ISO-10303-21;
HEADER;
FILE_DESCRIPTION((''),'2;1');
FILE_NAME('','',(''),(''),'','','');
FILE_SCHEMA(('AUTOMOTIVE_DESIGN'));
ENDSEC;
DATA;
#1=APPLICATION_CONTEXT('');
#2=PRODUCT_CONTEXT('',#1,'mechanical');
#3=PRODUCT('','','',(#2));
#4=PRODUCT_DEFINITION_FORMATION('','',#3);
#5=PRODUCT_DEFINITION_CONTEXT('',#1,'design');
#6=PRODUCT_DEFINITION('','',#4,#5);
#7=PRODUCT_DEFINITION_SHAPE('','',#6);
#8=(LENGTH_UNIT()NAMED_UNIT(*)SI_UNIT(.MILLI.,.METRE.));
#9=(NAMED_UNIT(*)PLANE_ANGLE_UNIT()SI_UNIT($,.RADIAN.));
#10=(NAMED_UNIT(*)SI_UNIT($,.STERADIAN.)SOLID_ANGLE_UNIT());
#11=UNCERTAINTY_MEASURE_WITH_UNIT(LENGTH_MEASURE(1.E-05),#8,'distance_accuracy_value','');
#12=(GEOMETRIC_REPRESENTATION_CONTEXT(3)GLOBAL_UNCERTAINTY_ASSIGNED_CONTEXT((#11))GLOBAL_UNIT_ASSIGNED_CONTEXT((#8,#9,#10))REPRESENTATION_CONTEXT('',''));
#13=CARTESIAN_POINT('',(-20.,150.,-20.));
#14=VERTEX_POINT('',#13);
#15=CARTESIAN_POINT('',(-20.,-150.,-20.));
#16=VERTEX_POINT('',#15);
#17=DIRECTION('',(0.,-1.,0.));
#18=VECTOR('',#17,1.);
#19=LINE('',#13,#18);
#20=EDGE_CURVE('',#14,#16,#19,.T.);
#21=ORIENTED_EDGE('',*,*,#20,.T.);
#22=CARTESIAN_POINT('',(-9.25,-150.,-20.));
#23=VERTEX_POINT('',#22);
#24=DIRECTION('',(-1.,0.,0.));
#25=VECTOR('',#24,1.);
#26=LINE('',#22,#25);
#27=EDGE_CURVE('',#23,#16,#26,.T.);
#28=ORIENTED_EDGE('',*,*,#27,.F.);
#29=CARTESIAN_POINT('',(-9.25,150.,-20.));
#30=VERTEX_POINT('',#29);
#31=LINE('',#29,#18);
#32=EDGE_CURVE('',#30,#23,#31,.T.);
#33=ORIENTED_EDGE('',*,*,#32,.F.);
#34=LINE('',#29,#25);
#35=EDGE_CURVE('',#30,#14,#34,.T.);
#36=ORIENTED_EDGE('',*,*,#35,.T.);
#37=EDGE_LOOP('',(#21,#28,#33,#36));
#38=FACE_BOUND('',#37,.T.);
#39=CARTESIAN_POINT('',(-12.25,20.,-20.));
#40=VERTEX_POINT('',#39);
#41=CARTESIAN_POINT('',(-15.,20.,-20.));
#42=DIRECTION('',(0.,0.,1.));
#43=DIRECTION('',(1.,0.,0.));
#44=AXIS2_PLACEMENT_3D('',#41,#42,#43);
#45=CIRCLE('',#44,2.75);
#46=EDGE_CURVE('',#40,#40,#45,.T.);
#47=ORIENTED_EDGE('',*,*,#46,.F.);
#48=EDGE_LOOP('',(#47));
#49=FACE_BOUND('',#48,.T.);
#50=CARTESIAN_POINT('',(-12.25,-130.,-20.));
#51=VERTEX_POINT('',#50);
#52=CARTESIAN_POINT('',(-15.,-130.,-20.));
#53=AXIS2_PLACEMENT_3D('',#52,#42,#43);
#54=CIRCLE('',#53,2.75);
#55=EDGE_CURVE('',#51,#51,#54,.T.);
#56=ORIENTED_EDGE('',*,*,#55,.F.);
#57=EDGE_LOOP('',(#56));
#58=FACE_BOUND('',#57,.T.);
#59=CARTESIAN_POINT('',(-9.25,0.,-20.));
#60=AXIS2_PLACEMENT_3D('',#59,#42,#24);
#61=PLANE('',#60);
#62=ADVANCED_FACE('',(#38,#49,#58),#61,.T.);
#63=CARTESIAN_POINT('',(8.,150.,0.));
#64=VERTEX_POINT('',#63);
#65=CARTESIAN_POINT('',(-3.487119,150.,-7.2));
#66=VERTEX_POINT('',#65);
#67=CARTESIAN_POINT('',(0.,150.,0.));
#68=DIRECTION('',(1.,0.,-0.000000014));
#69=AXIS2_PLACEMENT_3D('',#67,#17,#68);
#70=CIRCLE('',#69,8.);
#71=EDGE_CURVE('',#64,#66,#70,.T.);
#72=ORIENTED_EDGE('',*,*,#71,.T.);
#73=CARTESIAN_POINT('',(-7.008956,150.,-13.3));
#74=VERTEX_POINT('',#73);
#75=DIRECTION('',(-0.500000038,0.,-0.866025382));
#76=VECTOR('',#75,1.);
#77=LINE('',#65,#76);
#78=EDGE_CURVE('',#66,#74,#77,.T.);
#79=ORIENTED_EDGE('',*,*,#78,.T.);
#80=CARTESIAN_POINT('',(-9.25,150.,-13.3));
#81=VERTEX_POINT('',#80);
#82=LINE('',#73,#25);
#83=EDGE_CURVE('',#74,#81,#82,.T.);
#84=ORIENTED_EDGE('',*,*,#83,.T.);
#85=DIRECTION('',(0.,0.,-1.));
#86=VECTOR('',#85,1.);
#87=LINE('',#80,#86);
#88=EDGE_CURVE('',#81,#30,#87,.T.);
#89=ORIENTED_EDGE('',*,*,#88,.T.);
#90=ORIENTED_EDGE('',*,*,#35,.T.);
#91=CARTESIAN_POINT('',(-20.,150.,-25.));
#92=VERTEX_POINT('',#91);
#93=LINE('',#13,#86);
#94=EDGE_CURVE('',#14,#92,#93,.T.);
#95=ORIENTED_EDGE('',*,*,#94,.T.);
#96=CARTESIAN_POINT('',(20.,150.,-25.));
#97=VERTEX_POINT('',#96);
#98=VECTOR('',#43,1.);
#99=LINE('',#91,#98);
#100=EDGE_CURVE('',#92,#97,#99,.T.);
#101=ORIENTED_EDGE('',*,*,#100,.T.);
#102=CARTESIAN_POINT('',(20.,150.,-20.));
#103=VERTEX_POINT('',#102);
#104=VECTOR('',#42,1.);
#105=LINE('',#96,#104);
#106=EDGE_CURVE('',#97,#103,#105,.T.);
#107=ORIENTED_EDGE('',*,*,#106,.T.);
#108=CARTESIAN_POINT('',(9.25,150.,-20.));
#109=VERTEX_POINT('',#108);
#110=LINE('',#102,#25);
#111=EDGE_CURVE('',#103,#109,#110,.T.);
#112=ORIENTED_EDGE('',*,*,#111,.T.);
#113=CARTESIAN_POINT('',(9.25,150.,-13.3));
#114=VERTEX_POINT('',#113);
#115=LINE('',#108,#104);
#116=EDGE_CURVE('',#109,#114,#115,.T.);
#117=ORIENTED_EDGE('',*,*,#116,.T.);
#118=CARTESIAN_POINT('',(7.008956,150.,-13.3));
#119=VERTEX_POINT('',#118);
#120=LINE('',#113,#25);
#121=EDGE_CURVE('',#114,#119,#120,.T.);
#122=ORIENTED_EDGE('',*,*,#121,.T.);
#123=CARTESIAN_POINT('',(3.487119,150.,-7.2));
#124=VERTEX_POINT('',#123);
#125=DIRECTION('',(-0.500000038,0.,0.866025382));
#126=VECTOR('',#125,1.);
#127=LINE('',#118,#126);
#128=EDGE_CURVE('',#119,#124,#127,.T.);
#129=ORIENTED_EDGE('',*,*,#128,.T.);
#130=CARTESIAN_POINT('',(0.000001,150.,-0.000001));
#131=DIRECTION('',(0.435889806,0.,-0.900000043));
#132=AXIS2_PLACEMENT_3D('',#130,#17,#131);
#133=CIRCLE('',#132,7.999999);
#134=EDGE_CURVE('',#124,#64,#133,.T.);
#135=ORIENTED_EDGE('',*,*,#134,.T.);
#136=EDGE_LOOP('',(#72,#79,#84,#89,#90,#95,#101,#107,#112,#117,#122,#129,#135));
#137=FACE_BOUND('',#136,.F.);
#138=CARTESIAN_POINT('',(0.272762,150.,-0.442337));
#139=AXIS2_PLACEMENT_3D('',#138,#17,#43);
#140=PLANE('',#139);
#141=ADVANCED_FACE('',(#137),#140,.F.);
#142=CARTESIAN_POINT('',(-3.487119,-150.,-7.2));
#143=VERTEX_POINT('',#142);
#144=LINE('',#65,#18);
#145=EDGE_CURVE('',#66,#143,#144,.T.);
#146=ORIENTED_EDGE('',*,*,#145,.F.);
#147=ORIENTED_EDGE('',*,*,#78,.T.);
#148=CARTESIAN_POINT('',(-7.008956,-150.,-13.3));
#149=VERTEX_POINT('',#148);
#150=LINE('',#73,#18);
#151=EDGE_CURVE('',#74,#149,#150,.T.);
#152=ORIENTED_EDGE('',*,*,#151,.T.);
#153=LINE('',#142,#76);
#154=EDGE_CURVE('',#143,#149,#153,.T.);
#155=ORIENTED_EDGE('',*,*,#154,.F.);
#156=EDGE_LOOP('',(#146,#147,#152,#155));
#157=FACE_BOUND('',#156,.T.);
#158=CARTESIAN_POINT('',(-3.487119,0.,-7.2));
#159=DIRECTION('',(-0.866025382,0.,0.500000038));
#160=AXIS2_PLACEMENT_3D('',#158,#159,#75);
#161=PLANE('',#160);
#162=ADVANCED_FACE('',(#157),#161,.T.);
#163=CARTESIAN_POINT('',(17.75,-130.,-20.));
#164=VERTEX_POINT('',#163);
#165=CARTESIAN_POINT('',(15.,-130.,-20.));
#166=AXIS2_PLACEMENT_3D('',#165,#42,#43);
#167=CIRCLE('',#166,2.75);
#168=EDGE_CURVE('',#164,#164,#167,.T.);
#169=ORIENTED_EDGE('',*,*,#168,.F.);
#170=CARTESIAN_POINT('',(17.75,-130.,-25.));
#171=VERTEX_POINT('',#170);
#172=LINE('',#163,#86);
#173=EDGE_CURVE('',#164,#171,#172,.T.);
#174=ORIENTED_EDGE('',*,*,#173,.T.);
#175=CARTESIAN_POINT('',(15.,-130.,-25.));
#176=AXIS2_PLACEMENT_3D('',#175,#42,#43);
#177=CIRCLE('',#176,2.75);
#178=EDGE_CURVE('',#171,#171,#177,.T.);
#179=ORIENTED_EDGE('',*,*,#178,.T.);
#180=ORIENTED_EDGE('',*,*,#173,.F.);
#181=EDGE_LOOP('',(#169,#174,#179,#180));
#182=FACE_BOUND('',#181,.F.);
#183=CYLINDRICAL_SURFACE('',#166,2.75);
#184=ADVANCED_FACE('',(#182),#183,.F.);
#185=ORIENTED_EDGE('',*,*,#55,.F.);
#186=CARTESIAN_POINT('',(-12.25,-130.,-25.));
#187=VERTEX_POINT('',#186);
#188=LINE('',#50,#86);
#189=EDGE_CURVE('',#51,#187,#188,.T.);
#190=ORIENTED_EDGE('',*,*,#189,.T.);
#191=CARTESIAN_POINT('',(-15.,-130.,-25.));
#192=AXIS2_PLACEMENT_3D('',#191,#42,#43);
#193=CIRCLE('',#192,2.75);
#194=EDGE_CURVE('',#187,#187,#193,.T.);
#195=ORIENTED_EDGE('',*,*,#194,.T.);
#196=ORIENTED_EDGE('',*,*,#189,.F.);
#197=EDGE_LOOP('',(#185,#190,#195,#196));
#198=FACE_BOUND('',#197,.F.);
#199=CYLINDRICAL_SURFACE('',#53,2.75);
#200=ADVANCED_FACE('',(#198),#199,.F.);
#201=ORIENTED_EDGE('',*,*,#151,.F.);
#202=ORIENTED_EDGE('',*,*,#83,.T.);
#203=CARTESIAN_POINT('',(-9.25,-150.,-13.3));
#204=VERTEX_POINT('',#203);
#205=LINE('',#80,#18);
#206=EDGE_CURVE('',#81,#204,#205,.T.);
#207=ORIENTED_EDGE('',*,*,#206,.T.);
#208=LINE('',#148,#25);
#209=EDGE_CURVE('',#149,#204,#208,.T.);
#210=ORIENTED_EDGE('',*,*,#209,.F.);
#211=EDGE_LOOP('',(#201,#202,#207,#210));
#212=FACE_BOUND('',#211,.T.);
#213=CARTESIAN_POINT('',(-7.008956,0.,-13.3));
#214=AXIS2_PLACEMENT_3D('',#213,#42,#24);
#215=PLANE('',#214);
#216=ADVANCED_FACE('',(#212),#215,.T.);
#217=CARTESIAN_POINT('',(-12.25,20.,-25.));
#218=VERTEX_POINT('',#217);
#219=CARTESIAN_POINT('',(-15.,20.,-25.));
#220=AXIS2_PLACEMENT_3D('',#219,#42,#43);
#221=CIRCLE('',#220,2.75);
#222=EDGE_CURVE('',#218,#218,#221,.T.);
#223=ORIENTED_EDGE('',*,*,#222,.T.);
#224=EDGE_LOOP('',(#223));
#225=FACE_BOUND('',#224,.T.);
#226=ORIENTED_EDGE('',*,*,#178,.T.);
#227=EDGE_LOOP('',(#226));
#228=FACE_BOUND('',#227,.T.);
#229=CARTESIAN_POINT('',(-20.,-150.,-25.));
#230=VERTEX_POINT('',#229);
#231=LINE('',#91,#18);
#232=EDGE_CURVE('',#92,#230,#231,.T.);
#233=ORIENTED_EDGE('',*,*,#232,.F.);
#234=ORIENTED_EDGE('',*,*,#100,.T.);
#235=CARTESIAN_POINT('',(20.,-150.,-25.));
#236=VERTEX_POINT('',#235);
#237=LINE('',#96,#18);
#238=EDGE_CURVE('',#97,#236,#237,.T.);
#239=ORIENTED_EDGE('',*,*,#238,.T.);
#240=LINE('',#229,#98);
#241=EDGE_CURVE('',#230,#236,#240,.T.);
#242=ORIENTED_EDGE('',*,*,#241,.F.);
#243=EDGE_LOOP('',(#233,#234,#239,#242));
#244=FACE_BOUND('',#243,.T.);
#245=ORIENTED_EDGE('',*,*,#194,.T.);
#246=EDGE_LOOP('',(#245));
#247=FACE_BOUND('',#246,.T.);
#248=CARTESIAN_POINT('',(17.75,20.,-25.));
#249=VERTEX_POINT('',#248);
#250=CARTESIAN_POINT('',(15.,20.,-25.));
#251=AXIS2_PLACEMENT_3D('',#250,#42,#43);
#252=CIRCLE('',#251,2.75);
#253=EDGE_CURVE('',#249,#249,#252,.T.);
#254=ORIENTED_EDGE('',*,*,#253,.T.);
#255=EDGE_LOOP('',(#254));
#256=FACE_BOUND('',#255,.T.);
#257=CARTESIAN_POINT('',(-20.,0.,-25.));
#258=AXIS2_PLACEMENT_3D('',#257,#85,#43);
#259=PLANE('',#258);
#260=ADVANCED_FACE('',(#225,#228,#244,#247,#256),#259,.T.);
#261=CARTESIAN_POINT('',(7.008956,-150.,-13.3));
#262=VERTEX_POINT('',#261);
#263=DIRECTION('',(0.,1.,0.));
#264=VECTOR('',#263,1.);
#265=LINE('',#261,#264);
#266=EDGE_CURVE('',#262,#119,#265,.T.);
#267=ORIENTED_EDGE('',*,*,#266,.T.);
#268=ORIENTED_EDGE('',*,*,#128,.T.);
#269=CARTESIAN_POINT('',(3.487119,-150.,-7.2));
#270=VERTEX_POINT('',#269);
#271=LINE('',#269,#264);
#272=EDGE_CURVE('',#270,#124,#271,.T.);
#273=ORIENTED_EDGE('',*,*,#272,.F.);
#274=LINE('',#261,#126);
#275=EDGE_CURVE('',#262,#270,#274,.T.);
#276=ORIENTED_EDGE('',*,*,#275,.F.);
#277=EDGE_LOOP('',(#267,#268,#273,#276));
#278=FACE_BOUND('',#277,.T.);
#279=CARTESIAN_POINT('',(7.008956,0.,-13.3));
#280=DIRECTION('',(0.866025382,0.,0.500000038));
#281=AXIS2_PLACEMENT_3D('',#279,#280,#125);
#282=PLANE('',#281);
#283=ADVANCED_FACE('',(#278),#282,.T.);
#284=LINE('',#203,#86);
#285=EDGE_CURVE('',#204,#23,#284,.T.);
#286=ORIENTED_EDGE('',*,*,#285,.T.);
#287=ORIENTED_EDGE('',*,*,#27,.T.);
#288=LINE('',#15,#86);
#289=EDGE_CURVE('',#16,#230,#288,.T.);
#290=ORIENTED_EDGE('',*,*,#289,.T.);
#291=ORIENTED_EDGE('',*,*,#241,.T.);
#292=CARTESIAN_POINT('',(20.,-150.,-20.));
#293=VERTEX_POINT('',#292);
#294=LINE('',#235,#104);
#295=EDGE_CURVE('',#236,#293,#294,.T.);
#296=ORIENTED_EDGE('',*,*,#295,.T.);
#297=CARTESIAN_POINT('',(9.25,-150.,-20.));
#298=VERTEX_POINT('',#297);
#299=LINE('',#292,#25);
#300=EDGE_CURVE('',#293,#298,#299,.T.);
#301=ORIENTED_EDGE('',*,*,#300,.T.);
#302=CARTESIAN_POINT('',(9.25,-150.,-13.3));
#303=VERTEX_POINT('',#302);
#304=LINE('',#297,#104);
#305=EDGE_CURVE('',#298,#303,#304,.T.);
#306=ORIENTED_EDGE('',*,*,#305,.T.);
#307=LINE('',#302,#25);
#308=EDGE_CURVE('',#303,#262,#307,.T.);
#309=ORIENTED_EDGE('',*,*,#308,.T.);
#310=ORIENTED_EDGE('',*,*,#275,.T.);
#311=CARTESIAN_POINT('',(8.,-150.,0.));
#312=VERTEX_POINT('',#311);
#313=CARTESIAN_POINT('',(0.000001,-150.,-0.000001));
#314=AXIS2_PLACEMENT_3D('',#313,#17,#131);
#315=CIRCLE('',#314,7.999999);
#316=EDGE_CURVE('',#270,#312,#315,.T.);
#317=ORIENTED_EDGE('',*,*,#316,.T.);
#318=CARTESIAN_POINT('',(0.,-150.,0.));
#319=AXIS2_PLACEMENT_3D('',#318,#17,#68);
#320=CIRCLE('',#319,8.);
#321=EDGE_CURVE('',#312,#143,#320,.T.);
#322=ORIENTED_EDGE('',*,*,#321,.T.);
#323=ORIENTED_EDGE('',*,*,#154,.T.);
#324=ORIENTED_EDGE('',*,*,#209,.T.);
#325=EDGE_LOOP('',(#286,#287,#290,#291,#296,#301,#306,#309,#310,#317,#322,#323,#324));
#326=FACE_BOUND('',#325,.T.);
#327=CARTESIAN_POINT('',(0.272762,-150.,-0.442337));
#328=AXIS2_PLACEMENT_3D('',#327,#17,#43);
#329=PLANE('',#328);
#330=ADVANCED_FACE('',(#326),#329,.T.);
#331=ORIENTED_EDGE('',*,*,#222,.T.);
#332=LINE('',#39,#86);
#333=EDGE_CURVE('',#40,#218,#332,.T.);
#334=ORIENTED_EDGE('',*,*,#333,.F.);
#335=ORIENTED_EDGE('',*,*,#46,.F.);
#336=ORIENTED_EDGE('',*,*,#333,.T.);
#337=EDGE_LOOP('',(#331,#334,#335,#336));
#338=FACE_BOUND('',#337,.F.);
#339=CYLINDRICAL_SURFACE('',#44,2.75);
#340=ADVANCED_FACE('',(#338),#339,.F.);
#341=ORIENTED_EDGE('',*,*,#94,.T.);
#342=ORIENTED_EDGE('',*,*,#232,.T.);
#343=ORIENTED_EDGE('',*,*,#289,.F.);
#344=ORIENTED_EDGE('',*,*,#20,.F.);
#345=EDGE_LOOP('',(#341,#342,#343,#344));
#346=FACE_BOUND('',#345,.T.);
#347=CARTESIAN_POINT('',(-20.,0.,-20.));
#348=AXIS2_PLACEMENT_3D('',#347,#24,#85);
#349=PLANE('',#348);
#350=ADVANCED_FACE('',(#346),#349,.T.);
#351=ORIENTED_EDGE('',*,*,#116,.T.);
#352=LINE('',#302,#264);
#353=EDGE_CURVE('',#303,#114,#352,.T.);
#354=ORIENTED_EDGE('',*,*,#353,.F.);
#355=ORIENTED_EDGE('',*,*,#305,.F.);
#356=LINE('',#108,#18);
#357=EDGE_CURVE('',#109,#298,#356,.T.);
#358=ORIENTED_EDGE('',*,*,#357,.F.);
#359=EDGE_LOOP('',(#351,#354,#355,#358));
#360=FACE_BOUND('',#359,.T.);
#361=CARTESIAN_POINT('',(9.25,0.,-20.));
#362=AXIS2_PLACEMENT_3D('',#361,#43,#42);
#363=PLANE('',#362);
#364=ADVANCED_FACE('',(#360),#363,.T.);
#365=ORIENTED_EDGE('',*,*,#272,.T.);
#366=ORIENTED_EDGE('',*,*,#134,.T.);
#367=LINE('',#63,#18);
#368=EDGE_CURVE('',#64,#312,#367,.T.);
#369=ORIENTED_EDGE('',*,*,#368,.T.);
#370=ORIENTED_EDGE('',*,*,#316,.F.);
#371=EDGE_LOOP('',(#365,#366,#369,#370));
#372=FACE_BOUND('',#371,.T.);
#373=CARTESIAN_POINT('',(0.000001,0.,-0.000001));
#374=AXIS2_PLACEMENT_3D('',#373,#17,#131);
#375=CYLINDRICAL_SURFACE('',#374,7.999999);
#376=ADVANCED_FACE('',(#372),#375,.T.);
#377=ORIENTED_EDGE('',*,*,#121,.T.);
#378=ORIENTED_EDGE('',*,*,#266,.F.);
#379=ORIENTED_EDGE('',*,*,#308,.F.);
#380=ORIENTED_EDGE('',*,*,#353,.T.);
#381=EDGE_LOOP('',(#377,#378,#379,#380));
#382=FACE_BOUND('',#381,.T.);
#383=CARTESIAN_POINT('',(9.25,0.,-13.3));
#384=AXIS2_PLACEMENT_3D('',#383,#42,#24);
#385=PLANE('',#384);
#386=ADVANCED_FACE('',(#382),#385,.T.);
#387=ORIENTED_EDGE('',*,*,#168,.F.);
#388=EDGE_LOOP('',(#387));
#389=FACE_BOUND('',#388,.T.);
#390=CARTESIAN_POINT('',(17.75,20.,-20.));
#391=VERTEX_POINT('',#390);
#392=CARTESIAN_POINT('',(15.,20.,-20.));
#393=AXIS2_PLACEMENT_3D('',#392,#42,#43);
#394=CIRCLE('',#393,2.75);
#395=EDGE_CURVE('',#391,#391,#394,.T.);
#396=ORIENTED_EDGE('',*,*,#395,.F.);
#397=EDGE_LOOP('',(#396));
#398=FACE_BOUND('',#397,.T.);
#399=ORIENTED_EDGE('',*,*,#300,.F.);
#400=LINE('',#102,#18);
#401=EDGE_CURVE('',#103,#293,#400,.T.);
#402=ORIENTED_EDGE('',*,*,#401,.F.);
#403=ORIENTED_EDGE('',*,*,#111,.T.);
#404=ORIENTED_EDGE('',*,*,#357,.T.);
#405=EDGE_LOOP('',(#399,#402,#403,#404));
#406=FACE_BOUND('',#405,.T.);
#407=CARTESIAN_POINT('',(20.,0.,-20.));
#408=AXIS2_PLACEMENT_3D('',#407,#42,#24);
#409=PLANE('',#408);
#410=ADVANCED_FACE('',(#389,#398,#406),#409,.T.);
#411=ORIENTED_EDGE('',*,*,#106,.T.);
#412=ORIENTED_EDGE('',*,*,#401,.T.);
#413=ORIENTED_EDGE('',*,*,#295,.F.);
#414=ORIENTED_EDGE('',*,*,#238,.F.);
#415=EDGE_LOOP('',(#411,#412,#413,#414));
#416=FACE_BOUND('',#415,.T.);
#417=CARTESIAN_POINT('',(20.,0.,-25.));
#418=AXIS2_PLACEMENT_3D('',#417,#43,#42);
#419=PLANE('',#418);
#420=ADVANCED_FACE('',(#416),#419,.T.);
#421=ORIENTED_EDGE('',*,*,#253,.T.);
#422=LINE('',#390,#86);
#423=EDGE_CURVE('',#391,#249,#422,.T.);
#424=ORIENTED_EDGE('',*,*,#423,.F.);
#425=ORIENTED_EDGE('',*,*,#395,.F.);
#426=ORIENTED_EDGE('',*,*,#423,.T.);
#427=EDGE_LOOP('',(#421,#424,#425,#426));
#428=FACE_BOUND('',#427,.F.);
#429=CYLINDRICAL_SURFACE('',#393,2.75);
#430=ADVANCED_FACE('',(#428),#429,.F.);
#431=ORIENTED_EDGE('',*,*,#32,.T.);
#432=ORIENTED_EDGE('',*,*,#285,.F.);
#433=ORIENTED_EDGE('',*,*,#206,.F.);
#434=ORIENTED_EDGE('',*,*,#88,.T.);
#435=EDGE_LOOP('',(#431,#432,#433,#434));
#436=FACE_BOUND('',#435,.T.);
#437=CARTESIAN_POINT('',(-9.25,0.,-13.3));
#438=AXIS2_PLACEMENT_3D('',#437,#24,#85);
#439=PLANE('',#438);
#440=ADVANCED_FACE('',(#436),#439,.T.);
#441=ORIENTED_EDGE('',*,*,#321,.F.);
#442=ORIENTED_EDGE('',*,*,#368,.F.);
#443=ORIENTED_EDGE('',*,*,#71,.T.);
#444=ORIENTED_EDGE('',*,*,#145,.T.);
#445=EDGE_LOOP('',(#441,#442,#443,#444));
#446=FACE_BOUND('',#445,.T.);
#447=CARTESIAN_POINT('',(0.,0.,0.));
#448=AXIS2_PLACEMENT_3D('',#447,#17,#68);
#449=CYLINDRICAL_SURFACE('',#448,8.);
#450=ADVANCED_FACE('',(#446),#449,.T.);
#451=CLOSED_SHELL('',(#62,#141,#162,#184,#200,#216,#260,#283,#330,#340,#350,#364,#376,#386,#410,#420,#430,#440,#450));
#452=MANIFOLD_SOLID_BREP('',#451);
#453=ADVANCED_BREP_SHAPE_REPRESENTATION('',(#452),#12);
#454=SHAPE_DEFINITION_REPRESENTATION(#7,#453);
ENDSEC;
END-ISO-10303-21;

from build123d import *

# Parameters (mm, degrees)
F1_DEPTH = 150
F2_R     = 2.75
F3_DEPTH = 5.001


with BuildPart() as f1:
    # F0 (on Front) → F1 (new body, symmetric)
    with BuildSketch(Plane.XZ):
        with BuildLine():
            ThreePointArc((3.487119, -7.2), (6.778531, -4.248708), (8, 0))
            ThreePointArc((8, 0), (-4.248708, 6.778531), (-3.487119, -7.2))
            ThreePointArc((-3.487119, -7.2), (0, -8), (3.487119, -7.2))
        make_face()
        with BuildLine():
            ThreePointArc((3.487119, -7.2), (0, -8), (-3.487119, -7.2))
            Line((-3.487119, -7.2), (-7.008956, -13.3))
            Line((-7.008956, -13.3), (-9.25, -13.3))
            Line((-9.25, -13.3), (-9.25, -20))
            Line((-9.25, -20), (-20, -20))
            Line((-20, -20), (-20, -25))
            Line((-20, -25), (20, -25))
            Line((20, -25), (20, -20))
            Line((20, -20), (9.25, -20))
            Line((9.25, -20), (9.25, -13.3))
            Line((9.25, -13.3), (7.008956, -13.3))
            Line((7.008956, -13.3), (3.487119, -7.2))
        make_face()
    extrude(amount=F1_DEPTH, both=True)

    # F2 (on face) → F3 (cut, through all)
    with BuildSketch(Plane.XY.offset(-20)):
        with Locations((-15, -130)):
            Circle(F2_R)
        with Locations((15, -130)):
            Circle(F2_R)
        with Locations((-15, 20)):
            Circle(F2_R)
        with Locations((15, 20)):
            Circle(F2_R)
        with Locations((-15, 170)):
            Circle(F2_R)
        with Locations((15, 170)):
            Circle(F2_R)
        with Locations((-15, 320)):
            Circle(F2_R)
        with Locations((15, 320)):
            Circle(F2_R)
        with Locations((-15, 470)):
            Circle(F2_R)
        with Locations((15, 470)):
            Circle(F2_R)
        with Locations((-15, 620)):
            Circle(F2_R)
        with Locations((15, 620)):
            Circle(F2_R)
        with Locations((-15, 770)):
            Circle(F2_R)
        with Locations((15, 770)):
            Circle(F2_R)
        with Locations((-15, 920)):
            Circle(F2_R)
        with Locations((15, 920)):
            Circle(F2_R)
        with Locations((-15, 1070)):
            Circle(F2_R)
        with Locations((15, 1070)):
            Circle(F2_R)
    extrude(amount=-F3_DEPTH, mode=Mode.SUBTRACT)


solid = f1.part
